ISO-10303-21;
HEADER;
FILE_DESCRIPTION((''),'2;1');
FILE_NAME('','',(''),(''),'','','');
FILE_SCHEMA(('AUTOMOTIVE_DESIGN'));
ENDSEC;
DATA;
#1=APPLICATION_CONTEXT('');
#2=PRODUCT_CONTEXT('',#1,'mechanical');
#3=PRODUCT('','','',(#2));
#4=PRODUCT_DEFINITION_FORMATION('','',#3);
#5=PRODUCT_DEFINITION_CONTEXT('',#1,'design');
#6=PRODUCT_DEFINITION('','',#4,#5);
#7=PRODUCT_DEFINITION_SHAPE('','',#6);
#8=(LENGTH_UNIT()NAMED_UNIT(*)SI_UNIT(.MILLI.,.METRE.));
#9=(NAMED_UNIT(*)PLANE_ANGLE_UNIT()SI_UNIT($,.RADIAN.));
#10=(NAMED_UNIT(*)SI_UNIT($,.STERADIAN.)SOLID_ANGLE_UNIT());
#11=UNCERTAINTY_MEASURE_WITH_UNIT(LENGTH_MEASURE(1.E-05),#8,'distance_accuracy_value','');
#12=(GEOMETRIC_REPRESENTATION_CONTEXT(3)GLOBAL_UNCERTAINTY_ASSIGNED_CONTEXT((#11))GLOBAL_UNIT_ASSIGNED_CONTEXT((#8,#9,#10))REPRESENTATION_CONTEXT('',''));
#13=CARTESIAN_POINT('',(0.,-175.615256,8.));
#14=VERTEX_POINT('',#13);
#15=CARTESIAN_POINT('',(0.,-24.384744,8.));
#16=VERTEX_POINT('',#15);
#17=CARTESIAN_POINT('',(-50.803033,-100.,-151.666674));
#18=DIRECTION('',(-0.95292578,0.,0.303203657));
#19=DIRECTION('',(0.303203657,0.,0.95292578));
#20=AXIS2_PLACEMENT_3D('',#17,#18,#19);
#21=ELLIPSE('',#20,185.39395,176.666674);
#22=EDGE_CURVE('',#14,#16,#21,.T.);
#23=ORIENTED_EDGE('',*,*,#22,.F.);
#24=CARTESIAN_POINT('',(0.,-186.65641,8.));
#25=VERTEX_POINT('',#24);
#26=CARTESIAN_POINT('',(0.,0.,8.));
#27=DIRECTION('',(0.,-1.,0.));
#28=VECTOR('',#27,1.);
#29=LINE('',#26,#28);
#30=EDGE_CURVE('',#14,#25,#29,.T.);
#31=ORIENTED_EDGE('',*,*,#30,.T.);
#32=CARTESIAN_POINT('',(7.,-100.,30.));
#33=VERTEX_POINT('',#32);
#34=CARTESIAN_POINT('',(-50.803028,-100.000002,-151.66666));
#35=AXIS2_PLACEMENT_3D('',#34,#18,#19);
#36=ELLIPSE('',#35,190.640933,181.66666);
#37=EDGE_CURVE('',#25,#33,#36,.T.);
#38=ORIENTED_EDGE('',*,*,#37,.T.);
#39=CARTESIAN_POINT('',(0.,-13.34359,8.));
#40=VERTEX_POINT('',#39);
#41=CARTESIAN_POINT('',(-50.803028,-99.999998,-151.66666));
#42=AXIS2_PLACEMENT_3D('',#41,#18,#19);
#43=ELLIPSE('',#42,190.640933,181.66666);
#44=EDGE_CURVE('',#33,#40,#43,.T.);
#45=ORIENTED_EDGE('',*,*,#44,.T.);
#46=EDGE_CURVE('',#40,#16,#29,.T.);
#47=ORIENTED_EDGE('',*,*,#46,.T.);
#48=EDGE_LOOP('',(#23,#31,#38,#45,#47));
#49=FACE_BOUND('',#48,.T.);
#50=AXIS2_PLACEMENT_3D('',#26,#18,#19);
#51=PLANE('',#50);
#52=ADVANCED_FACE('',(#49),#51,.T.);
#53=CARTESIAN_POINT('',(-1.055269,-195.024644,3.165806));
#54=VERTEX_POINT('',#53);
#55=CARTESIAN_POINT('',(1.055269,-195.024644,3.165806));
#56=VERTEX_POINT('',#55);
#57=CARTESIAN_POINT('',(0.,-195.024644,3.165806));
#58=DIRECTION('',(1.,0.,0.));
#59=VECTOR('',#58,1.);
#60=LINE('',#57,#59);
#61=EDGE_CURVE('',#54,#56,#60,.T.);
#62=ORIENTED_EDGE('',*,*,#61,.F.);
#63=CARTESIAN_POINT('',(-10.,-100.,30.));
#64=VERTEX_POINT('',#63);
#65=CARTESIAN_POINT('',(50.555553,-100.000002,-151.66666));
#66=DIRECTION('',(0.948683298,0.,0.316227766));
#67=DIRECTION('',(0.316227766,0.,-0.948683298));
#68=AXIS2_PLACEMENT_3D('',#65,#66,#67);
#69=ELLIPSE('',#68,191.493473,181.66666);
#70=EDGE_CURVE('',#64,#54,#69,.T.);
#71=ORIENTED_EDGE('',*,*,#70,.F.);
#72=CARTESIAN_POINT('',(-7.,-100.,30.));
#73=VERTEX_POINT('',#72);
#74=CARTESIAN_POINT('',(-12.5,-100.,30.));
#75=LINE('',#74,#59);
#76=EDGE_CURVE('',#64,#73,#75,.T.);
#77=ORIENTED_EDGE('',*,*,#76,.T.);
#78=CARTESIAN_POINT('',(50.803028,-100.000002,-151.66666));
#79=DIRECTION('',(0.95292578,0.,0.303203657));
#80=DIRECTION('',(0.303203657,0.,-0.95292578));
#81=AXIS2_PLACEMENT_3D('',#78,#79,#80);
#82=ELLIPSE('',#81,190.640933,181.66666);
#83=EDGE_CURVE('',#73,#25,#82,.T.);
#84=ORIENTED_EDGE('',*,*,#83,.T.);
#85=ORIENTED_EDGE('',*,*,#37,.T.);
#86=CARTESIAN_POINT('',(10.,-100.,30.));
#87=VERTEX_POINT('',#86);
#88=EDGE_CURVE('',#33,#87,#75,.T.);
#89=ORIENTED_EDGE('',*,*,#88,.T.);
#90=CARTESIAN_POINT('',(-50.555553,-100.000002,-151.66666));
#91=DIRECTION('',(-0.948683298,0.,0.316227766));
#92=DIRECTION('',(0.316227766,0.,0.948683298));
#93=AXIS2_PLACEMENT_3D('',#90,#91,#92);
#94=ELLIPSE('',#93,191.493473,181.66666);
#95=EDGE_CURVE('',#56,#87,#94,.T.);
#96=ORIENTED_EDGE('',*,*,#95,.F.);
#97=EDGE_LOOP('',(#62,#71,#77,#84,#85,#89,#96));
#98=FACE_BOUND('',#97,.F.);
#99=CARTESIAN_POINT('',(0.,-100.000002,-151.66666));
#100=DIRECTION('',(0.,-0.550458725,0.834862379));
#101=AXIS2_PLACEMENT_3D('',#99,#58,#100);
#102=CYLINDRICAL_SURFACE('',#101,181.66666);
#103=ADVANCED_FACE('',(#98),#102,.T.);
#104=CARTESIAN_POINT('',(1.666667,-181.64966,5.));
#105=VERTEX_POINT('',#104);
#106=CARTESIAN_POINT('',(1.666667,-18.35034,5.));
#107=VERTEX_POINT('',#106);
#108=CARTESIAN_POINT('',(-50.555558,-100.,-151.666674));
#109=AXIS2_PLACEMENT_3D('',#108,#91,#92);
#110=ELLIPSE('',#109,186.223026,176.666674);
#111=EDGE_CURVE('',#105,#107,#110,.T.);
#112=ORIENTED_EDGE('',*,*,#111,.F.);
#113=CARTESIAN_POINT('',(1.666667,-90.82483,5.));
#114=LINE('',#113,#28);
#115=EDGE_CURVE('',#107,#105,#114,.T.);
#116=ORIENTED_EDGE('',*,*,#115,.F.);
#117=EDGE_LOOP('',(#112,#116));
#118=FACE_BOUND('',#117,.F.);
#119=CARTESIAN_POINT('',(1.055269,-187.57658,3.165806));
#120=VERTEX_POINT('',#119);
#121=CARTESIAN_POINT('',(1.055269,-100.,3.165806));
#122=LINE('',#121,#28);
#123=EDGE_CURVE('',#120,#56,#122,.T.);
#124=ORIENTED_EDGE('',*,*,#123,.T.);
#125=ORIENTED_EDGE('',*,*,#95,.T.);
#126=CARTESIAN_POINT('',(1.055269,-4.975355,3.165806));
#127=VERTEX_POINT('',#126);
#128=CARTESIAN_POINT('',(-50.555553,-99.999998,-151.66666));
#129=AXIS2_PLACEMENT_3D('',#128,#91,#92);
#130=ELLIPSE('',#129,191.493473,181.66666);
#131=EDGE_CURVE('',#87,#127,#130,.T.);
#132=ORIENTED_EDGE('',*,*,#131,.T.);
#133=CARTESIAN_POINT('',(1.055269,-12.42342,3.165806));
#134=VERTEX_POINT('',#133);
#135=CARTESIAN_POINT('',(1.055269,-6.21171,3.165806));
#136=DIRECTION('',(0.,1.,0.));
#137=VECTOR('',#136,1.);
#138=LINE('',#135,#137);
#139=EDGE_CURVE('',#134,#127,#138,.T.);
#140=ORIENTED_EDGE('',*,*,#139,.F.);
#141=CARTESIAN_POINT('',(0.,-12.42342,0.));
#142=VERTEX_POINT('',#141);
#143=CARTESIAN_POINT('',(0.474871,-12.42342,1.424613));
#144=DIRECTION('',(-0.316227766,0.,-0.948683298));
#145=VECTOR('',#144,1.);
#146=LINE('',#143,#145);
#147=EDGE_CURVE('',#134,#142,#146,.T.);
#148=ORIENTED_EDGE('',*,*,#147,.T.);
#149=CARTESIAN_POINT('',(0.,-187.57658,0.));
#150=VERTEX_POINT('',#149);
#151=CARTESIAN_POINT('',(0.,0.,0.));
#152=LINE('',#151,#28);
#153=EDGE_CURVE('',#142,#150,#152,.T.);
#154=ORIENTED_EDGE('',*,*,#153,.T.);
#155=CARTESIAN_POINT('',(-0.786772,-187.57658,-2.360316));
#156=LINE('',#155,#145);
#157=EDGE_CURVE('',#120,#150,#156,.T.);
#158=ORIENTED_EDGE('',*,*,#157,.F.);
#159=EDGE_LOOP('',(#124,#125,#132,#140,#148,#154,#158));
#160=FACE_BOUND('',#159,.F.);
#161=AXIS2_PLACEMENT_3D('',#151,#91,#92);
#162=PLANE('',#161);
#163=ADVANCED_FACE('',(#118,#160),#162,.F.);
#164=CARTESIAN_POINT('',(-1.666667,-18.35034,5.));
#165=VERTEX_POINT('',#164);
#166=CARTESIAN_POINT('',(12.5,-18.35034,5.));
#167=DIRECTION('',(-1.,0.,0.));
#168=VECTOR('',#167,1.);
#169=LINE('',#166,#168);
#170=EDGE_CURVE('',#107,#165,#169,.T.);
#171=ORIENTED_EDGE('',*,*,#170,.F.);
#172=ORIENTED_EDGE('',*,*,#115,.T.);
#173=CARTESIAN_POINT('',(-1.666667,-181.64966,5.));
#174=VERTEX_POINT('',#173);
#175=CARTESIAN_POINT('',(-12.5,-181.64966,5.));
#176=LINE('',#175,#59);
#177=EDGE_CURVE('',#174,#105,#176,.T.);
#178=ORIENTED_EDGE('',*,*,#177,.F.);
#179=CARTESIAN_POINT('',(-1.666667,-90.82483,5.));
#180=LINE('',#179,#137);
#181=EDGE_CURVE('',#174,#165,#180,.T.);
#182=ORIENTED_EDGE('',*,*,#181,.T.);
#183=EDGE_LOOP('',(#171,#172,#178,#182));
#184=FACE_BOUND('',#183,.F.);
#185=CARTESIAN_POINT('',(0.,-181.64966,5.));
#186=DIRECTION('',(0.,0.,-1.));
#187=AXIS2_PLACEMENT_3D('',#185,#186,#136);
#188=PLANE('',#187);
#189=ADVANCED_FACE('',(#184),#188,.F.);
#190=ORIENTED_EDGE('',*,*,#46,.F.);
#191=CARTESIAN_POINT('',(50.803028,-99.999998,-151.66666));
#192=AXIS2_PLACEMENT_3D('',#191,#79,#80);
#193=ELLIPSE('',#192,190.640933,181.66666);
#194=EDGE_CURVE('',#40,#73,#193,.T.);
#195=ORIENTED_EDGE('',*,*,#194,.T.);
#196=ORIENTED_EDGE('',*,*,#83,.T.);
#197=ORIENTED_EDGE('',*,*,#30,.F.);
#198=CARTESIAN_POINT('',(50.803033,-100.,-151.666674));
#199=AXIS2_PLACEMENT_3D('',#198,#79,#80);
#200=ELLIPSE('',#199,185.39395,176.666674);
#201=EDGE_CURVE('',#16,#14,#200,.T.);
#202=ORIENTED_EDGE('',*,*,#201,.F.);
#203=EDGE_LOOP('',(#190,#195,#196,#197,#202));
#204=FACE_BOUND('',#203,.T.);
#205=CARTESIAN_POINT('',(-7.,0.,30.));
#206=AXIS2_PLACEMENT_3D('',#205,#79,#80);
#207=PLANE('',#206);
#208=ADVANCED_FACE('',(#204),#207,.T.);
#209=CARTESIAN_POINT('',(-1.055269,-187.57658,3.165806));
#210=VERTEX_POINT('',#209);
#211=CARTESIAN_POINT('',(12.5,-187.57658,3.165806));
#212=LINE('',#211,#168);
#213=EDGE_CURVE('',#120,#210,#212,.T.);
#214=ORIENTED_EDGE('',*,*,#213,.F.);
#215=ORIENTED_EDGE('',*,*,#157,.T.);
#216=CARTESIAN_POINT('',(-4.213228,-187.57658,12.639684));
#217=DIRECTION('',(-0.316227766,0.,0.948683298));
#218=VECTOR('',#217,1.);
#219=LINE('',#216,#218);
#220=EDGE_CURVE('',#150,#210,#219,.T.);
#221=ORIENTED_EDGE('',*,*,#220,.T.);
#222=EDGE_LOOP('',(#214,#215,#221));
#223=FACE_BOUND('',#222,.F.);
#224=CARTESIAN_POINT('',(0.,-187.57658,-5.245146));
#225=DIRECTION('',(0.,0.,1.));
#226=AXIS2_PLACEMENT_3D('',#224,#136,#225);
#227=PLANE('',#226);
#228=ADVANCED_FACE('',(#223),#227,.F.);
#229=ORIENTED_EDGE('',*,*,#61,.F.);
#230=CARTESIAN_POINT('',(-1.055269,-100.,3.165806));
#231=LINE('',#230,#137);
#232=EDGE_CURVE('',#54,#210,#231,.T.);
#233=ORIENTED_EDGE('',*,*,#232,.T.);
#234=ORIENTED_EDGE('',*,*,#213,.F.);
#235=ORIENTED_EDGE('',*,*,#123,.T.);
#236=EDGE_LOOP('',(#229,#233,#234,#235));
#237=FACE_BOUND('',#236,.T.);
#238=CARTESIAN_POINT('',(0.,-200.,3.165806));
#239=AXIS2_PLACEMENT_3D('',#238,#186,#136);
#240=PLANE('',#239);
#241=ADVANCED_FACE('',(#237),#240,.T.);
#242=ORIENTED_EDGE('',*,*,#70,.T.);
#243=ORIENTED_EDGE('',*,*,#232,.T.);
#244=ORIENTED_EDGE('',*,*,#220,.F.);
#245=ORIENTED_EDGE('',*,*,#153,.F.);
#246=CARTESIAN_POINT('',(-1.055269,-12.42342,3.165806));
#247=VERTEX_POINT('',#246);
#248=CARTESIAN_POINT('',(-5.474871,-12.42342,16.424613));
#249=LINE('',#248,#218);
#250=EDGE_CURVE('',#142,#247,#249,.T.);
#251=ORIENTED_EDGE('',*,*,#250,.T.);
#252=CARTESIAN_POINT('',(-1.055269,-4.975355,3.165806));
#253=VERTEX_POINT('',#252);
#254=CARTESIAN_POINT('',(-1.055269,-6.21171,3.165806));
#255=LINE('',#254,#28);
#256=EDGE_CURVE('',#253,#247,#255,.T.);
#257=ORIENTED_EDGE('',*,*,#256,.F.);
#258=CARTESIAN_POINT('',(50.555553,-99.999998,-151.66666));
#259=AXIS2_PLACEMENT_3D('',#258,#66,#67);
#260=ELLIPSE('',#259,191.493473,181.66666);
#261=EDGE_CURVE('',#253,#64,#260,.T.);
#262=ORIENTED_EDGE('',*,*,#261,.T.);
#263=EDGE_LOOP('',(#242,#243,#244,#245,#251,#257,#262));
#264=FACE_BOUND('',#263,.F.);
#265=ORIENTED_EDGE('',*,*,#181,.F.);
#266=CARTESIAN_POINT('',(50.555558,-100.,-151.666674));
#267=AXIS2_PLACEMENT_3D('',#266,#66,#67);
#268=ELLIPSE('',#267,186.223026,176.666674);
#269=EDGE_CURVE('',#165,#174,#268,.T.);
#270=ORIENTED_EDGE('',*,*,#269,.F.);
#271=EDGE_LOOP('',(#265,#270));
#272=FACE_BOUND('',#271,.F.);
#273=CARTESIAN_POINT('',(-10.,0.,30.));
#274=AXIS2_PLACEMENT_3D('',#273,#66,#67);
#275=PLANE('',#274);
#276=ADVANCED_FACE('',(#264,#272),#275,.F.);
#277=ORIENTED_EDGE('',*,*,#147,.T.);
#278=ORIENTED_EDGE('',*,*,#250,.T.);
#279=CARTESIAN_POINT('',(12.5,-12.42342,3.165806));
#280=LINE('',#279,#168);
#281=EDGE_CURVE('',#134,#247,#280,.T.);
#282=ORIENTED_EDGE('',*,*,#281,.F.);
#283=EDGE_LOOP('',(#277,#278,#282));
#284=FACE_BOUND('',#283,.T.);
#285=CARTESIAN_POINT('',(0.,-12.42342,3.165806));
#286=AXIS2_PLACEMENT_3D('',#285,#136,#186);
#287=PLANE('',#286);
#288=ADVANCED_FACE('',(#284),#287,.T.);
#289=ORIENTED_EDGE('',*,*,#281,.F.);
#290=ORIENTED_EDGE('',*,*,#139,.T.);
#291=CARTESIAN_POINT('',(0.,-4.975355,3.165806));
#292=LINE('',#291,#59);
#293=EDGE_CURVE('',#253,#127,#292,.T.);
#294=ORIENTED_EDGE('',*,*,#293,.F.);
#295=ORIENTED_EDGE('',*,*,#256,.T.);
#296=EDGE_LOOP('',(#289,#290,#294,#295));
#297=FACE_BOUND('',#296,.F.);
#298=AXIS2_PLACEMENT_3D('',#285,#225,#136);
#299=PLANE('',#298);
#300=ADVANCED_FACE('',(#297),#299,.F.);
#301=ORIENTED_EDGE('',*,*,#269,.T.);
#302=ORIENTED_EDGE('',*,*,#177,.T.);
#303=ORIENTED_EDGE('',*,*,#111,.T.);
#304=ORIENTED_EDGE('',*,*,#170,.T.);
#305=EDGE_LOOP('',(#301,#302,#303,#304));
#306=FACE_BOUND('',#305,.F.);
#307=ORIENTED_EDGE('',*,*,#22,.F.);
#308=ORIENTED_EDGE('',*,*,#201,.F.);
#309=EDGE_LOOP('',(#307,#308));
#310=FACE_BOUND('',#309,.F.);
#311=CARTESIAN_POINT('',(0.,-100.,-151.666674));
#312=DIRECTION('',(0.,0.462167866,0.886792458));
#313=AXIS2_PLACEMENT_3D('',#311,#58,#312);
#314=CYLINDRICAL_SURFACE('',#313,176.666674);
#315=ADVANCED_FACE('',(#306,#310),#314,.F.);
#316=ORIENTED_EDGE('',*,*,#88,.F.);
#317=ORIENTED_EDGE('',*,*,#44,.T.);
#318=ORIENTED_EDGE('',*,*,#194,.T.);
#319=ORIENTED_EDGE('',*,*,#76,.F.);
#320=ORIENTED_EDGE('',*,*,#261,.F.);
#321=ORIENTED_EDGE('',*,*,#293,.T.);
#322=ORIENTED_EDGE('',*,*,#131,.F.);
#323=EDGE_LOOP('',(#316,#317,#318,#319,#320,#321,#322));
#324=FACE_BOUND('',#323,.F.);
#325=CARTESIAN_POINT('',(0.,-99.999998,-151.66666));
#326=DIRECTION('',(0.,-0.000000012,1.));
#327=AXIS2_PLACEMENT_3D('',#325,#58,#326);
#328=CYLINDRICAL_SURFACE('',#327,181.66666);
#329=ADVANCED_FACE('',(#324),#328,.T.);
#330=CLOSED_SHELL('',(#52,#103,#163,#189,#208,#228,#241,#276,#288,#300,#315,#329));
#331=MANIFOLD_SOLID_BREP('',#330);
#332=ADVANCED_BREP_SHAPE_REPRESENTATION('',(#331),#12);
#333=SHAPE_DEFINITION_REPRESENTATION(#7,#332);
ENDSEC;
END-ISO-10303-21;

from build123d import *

# Parameters (mm, degrees)
F1_DEPTH = 200
F3_DEPTH = 12.5
F5_DEPTH = 200.001
F7_DEPTH = 12.5
F8_W     = 12.42342
F8_H     = 5.245147
F8_H_2   = 3.165806
F8_H_3   = 8.410953
F9_DEPTH = 12.5


with BuildPart() as f1:
    # F0 (on Front) → F1 (new body)
    with BuildSketch(Plane.XZ):
        Polygon((-10, 30), (0, 0), (10, 30), align=None)
    extrude(amount=F1_DEPTH)

    # F2 (on Right) → F3 (cut, symmetric)
    with BuildSketch(Plane.YZ):
        with BuildLine():
            ThreePointArc((-100, 30), (-47.798467, 22.338442), (0, 0))
            Line((0, 0), (0, 30))
            Line((0, 30), (-100, 30))
        make_face()
        with BuildLine():
            ThreePointArc((-200, 0), (-152.201533, 22.338442), (-100, 30))
            Line((-100, 30), (-200, 30))
            Line((-200, 30), (-200, 0))
        make_face()
    extrude(amount=F3_DEPTH, both=True, mode=Mode.SUBTRACT)

    # F4 (on Front) → F5 (cut, through all)
    with BuildSketch(Plane.XZ):
        Polygon((-7, 30), (0, 8), (7, 30), align=None)
    extrude(amount=F5_DEPTH, mode=Mode.SUBTRACT)

    # F6 (on Right) → F7 (cut, symmetric)
    with BuildSketch(Plane.YZ):
        with BuildLine():
            ThreePointArc((-18.35034, 5), (-100, 25), (-181.64966, 5))
            Line((-181.64966, 5), (-18.35034, 5))
        make_face()
    extrude(amount=F7_DEPTH, both=True, mode=Mode.SUBTRACT)

    # F8 (on Right) → F9 (cut, symmetric)
    with BuildSketch(Plane.YZ):
        with Locations((-6.21171, -2.622573)):
            Rectangle(F8_W, F8_H)
        with Locations((-6.21171, 1.582903)):
            Rectangle(F8_W, F8_H_2)
        with Locations((-193.78829, -1.03967)):
            Rectangle(F8_W, F8_H_3)
    extrude(amount=F9_DEPTH, both=True, mode=Mode.SUBTRACT)


solid = f1.part
